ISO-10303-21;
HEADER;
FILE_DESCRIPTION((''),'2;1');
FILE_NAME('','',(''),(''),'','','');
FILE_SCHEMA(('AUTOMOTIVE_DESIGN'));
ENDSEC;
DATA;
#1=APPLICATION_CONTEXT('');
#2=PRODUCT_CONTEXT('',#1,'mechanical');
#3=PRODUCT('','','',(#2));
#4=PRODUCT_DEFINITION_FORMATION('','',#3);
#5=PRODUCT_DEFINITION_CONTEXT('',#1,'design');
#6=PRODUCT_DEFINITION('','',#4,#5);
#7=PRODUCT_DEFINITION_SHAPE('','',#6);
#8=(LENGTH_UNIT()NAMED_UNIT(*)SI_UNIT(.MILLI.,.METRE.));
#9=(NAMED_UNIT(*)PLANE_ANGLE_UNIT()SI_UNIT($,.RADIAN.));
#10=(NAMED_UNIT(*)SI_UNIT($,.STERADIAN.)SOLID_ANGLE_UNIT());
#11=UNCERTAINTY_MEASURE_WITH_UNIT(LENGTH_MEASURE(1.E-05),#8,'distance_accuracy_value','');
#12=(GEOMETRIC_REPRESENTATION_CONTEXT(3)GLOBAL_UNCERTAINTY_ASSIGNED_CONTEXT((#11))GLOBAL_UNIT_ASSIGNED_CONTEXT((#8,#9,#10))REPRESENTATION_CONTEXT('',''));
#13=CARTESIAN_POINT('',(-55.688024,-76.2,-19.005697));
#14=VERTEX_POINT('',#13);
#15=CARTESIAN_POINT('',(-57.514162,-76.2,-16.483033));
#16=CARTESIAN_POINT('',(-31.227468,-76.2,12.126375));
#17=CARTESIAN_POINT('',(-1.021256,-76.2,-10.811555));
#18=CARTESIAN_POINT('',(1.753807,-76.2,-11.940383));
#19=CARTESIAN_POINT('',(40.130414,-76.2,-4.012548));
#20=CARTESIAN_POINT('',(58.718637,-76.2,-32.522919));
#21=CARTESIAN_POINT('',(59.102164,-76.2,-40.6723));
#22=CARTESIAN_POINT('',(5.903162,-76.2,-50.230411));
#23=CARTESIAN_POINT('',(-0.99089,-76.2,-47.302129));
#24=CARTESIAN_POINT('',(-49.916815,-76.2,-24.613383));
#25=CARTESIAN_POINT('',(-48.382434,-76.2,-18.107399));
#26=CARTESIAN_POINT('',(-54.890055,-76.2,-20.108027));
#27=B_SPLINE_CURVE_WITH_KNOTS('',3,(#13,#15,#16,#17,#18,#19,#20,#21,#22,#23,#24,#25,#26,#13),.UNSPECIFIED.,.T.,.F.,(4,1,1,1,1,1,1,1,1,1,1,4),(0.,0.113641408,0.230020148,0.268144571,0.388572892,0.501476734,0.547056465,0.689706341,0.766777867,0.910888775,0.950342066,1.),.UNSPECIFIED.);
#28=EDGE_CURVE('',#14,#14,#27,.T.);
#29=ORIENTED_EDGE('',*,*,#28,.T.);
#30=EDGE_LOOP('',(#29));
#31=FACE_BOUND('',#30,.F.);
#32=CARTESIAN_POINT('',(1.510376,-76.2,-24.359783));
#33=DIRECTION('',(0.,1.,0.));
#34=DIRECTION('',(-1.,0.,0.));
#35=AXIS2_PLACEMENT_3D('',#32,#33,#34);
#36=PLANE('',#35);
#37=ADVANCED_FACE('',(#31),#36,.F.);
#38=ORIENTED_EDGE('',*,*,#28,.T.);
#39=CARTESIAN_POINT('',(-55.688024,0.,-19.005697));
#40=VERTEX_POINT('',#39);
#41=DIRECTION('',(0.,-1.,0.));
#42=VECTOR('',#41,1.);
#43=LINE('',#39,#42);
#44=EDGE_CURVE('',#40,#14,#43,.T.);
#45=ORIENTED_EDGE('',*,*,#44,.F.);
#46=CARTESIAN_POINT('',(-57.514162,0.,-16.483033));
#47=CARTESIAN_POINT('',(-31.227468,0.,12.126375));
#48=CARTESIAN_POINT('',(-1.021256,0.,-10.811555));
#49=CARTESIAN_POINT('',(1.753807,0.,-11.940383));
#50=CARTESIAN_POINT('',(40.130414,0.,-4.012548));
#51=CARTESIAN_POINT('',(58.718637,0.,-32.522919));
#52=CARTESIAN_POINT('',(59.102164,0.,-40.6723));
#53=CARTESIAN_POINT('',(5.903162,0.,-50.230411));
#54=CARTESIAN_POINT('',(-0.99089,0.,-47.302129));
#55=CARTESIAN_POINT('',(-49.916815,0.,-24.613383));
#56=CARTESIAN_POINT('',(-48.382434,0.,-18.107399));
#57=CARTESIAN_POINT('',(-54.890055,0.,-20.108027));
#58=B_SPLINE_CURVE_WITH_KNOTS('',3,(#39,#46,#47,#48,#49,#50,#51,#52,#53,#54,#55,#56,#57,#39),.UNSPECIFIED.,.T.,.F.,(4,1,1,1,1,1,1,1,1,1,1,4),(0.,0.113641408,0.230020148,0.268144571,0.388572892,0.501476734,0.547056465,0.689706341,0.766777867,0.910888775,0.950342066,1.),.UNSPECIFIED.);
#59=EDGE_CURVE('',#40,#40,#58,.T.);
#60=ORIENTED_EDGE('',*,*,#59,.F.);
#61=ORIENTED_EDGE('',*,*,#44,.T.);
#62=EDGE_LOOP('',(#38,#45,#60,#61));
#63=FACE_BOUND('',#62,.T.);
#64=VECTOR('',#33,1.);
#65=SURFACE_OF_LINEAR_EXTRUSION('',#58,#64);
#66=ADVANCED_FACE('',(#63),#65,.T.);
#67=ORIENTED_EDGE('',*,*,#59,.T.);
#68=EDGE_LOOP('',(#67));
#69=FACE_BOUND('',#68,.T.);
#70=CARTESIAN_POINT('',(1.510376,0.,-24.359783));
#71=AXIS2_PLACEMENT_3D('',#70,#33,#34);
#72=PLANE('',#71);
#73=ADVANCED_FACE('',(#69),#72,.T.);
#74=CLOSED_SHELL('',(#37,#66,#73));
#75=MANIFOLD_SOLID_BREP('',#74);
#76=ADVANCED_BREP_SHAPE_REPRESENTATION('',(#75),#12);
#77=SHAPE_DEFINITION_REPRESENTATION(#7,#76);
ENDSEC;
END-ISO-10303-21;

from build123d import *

# Parameters (mm, degrees)
F1_DEPTH = 76.2


with BuildPart() as f1:
    # F0 (on Front) → F1 (new body)
    with BuildSketch(Plane.XZ):
        with BuildLine():
            add(Edge.make_bspline(
                [(-55.6880235672, -19.0056972206), (-57.5141618821, -16.4830328915), (-31.2274675356, 12.1263751689), (-1.0212562675, -10.8115553847), (1.7538067616, -11.9403828885), (40.1304142814, -4.01254777), (58.718636809, -32.5229194787), (59.1021642524, -40.6723003123), (5.9031615412, -50.2304106818), (-0.9908902095, -47.3021294505), (-49.9168153133, -24.6133829343), (-48.382433547, -18.1073993823), (-54.8900551363, -20.1080269181), (-55.6880235672, -19.0056972206)],
                knots=[0, 0, 0, 0, 0.1136414078, 0.2300201482, 0.2681445709, 0.3885728919, 0.5014767338, 0.5470564645, 0.6897063411, 0.7667778667, 0.9108887745, 0.950342066, 1, 1, 1, 1], degree=3))
        make_face()
    extrude(amount=F1_DEPTH)


solid = f1.part
